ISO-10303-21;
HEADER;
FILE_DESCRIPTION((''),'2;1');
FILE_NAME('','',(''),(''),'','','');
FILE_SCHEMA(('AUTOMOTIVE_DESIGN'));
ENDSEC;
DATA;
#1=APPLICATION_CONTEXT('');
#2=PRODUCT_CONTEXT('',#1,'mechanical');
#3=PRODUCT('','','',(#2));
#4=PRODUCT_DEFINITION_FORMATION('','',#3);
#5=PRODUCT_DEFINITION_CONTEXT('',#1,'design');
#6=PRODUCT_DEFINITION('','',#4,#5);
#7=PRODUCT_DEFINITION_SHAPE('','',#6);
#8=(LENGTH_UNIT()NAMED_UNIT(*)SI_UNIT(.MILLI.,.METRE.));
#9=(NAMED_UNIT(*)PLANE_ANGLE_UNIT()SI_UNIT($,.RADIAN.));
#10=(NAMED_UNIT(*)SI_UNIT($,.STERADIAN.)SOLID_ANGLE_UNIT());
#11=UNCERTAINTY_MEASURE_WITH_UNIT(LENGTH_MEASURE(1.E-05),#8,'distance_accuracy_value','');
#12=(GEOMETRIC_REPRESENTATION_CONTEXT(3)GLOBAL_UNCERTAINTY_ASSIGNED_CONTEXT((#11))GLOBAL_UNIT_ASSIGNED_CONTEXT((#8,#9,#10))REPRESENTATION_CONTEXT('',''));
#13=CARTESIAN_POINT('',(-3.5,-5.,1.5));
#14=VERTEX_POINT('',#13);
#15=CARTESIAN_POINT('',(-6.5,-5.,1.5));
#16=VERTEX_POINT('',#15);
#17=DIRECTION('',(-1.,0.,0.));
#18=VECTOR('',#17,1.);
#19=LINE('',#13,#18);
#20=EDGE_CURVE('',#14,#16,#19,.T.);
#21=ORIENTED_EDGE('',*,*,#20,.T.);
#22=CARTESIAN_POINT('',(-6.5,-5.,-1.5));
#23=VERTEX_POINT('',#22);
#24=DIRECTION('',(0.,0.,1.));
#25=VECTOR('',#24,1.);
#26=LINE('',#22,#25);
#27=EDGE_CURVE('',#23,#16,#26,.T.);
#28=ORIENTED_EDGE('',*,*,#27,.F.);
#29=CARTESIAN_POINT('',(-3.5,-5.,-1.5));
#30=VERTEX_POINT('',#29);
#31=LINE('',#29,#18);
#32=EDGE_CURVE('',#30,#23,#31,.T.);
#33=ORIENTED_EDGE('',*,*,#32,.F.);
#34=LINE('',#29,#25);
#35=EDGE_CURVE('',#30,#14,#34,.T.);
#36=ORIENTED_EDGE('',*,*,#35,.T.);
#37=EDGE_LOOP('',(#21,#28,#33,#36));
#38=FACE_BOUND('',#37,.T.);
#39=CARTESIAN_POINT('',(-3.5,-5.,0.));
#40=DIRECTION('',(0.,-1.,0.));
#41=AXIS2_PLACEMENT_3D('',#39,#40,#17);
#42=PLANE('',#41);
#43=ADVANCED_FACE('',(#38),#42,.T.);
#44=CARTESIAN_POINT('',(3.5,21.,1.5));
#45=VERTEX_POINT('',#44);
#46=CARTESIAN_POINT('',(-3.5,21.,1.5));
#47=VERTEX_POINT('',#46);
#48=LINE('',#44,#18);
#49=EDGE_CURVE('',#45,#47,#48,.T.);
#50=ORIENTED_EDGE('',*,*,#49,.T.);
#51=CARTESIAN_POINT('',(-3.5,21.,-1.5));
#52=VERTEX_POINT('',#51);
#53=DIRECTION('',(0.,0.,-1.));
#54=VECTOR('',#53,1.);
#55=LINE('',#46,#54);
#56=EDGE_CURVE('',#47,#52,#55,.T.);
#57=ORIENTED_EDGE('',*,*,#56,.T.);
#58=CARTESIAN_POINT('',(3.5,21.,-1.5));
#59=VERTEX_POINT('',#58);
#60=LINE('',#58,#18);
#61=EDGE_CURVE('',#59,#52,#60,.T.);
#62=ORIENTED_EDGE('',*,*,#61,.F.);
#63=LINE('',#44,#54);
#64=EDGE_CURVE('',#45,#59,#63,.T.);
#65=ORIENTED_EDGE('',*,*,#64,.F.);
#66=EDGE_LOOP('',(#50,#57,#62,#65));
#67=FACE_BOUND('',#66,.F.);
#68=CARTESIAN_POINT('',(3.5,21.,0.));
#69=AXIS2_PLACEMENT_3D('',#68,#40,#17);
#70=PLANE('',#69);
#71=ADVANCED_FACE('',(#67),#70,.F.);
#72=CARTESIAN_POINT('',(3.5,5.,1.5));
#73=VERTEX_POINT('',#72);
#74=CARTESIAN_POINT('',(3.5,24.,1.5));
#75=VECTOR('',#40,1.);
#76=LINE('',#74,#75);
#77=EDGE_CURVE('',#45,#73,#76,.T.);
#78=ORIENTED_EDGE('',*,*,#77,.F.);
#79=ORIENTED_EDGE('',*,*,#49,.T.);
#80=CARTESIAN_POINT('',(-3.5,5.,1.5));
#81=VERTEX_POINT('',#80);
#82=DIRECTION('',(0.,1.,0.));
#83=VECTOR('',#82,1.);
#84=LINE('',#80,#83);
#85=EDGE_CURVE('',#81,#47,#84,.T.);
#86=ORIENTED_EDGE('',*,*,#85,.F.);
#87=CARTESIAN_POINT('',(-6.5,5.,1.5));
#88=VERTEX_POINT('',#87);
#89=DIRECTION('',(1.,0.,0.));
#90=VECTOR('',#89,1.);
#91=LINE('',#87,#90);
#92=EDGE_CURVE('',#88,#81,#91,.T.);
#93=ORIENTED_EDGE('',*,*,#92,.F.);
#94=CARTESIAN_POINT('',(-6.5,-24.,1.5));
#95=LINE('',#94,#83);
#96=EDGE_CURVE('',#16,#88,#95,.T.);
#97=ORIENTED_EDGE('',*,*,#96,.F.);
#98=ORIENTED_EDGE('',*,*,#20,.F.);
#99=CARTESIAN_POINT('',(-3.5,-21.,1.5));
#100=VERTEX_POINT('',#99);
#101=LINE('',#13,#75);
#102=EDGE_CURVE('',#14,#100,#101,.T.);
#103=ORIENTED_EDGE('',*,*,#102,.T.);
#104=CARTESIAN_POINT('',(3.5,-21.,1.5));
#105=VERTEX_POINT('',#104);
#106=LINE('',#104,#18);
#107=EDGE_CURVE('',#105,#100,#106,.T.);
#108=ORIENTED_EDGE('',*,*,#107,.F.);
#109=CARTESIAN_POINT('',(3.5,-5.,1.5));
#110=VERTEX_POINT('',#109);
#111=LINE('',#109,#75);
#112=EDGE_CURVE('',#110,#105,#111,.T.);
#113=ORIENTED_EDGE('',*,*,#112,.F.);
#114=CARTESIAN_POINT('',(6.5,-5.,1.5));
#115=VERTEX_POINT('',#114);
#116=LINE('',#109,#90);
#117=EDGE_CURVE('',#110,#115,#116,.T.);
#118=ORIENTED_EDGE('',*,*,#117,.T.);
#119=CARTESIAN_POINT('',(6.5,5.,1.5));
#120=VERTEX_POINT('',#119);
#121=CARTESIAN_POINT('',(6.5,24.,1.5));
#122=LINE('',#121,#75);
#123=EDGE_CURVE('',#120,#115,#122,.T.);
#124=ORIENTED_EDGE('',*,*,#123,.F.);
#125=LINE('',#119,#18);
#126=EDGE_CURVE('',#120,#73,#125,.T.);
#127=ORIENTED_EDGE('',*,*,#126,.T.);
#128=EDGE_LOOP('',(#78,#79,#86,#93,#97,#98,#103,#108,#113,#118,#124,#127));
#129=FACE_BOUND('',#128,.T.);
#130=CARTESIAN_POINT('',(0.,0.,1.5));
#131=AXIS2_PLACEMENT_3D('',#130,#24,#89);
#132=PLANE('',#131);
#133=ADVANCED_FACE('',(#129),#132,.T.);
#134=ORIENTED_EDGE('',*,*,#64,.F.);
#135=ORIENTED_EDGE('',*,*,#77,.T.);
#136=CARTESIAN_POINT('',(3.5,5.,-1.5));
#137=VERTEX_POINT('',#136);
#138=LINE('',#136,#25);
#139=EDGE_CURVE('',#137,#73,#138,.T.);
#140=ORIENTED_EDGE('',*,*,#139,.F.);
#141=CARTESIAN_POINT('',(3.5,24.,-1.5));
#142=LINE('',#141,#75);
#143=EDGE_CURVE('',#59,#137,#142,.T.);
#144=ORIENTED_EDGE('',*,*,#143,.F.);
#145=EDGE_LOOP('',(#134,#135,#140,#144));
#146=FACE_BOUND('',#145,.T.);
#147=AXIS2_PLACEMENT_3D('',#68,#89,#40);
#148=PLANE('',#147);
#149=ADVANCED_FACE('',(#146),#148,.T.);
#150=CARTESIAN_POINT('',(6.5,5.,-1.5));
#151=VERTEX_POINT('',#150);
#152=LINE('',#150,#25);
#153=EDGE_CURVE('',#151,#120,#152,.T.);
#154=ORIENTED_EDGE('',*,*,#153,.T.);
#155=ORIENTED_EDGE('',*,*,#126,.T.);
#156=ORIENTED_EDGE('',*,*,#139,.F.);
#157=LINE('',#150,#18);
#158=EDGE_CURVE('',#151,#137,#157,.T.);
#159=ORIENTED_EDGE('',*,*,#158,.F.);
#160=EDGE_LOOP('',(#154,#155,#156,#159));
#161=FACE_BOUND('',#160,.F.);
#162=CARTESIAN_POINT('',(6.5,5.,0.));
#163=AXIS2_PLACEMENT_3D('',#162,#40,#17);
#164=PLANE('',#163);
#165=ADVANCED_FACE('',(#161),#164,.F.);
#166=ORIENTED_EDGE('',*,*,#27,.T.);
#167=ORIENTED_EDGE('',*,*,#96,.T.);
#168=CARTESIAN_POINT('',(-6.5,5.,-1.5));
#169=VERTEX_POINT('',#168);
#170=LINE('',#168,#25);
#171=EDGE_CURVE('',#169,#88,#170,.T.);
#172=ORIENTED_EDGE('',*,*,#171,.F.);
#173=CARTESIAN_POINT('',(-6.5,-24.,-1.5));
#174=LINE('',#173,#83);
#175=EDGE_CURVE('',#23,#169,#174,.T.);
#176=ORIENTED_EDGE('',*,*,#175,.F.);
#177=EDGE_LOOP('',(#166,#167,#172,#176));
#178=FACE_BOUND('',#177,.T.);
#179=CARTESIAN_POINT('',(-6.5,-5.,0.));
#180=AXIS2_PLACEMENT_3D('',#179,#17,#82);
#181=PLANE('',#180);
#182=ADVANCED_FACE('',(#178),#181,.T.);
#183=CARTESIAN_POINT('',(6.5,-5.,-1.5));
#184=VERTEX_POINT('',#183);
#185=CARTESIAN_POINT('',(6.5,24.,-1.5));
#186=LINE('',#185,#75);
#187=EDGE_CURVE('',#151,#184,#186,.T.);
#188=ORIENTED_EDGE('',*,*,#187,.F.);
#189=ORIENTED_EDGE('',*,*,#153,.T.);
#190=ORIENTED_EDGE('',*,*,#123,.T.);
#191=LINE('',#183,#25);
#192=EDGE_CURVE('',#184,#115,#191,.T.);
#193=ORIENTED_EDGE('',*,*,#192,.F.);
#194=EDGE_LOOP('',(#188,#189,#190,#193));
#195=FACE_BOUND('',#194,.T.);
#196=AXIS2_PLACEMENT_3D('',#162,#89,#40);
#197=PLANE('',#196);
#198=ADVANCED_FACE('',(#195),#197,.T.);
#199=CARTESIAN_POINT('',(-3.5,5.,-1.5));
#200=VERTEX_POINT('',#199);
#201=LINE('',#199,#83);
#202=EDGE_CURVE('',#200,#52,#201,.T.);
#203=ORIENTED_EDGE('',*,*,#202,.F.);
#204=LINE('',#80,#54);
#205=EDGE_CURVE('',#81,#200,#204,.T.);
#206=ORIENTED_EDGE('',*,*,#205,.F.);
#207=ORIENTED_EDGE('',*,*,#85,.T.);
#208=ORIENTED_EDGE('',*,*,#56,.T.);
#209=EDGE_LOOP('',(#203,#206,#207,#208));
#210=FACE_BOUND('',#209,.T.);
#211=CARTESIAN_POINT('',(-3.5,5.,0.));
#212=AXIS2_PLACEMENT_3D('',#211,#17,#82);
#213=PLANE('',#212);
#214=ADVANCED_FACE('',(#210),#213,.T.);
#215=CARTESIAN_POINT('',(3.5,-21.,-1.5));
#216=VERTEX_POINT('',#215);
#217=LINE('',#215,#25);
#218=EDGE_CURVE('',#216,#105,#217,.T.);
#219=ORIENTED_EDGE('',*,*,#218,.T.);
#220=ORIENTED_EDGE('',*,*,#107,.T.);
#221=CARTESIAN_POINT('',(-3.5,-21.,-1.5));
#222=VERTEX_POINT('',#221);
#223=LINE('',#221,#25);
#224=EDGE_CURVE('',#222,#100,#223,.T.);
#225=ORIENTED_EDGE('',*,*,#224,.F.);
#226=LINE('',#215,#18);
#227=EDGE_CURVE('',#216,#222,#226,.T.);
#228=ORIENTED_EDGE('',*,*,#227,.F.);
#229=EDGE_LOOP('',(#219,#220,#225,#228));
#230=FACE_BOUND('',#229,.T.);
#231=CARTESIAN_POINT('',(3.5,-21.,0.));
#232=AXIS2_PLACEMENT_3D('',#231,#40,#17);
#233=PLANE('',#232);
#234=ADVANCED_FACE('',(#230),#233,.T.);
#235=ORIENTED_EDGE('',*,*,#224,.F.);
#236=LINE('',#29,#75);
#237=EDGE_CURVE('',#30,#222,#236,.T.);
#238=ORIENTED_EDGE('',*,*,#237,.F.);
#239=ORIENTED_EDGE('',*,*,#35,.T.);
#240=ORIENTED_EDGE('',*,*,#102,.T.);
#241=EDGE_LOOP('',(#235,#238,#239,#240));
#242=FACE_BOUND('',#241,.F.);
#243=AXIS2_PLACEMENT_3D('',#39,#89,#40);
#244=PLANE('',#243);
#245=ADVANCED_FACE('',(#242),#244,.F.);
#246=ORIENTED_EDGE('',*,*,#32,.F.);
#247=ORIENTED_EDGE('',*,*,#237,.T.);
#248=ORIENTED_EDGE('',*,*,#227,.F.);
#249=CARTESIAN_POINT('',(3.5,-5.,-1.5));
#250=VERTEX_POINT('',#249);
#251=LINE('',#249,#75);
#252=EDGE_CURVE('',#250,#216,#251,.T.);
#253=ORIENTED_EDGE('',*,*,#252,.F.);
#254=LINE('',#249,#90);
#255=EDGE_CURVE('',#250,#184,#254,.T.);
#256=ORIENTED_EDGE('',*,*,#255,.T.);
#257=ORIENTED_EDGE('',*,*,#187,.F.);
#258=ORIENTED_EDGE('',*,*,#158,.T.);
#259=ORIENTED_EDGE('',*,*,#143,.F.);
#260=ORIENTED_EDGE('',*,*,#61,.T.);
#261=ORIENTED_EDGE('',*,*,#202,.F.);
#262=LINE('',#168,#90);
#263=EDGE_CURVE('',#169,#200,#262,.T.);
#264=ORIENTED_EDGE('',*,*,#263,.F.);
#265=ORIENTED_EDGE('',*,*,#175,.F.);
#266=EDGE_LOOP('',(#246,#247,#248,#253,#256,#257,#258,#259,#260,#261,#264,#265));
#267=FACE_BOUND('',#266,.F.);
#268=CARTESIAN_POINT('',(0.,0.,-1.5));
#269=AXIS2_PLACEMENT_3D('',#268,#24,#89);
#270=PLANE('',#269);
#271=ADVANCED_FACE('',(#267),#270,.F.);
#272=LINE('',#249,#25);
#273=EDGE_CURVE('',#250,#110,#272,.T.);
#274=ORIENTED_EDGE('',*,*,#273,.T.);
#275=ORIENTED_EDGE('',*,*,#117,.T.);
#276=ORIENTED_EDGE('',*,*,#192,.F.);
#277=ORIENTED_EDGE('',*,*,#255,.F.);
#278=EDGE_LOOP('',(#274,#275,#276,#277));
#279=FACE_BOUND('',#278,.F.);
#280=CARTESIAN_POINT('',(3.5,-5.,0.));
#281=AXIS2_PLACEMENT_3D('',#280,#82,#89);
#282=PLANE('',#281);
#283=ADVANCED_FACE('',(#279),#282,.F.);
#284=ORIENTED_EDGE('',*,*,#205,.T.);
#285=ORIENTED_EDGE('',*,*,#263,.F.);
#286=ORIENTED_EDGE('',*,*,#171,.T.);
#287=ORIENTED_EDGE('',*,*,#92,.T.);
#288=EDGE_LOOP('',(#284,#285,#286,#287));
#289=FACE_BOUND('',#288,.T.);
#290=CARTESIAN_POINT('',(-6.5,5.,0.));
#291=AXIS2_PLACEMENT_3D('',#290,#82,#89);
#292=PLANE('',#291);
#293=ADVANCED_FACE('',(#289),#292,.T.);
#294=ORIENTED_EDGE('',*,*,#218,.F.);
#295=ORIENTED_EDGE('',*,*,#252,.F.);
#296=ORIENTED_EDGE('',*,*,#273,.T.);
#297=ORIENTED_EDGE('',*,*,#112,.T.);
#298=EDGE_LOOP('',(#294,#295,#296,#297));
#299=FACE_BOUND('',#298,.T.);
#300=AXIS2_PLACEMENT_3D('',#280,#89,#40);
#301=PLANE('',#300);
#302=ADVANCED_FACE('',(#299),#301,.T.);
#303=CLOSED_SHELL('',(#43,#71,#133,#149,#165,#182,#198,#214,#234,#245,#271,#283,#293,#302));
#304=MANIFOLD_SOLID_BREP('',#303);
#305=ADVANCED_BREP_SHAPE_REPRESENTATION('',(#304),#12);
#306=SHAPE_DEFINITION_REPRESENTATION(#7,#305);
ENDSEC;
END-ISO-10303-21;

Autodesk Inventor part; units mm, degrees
ref_plane "YZ Plane" through (0, 0, 0) normal (1, 0, 0) x (0, 1, 0)
ref_plane "XZ Plane" through (0, 0, 0) normal (0, 1, 0) x (-1, 0, 0)
ref_plane "XY Plane" through (0, 0, 0) normal (0, 0, 1) x (1, 0, 0)
sketch "Sketch1" plane through (0, 0, 0) normal (0, 0, 1) x (1, 0, 0)
  line L0 (-6.5, 24) -> (6.5, 24)
  line L1 (6.5, 24) -> (6.5, -24)
  line L2 (6.5, -24) -> (-6.5, -24)
  line L3 (-6.5, -24) -> (-6.5, 24)
  line L4 (-6.5, 5) -> (-3.5, 5)
  line L5 (-3.5, 5) -> (-3.5, -5)
  line L6 (-3.5, -5) -> (-6.5, -5)
  line L7 (-6.5, -5) -> (-6.5, 5)
  line L8 (-3.5, 24) -> (3.5, 24)
  line L9 (3.5, 24) -> (3.5, 21)
  line L10 (3.5, 21) -> (-3.5, 21)
  line L11 (-3.5, 21) -> (-3.5, 24)
  line L12 (0, 0) -> (0.5, 0)
  line L13 (0, 0) -> (0, -2.6489)
  line L14 (6.5, 5) -> (3.5, 5)
  line L15 (3.5, 5) -> (3.5, -5)
  line L16 (3.5, -5) -> (6.5, -5)
  line L17 (3.5, -24) -> (3.5, -21)
  line L18 (3.5, -21) -> (-3.5, -21)
  line L19 (-3.5, -21) -> (-3.5, -24)
  line L20 (-3.5, -5) -> (-3.5, -24)
  line L21 (-3.5, 5) -> (-3.5, 24)
  line L22 (3.5, 24) -> (3.5, 5)
  line L23 (3.5, -5) -> (3.5, -24)
  point P0 (0, 24)
  point P1 (6.5, 0)
  point P2 (-3.5, 0)
  point P3 (0, 21)
  point P4 (0, -21)
  point P5 (6.5, 5)
  point P6 (6.5, -5)
  point P7 (3.5, 21)
  point P8 (3.5, -21)
  point P9 (3.5, 21)
  point P10 (-3.5, 21)
  point P11 (-3.5, -21)
  point P12 (3.5, -21)
  dimension "d0" = 48
  dimension "d1" = 13
  dimension "d2" = 3
  dimension "d3" = 10
  dimension "d4" = 7
  dimension "d5" = 3
extrude "Extrusion1" add sketch "Sketch1" along normal mid plane 3 contours L4 L5 L6 L3 | L10 L22 L15 L23 L18 L20 L5 L21 | L1 L16 L15 L14
properties part number "Side piece 2 2x"
